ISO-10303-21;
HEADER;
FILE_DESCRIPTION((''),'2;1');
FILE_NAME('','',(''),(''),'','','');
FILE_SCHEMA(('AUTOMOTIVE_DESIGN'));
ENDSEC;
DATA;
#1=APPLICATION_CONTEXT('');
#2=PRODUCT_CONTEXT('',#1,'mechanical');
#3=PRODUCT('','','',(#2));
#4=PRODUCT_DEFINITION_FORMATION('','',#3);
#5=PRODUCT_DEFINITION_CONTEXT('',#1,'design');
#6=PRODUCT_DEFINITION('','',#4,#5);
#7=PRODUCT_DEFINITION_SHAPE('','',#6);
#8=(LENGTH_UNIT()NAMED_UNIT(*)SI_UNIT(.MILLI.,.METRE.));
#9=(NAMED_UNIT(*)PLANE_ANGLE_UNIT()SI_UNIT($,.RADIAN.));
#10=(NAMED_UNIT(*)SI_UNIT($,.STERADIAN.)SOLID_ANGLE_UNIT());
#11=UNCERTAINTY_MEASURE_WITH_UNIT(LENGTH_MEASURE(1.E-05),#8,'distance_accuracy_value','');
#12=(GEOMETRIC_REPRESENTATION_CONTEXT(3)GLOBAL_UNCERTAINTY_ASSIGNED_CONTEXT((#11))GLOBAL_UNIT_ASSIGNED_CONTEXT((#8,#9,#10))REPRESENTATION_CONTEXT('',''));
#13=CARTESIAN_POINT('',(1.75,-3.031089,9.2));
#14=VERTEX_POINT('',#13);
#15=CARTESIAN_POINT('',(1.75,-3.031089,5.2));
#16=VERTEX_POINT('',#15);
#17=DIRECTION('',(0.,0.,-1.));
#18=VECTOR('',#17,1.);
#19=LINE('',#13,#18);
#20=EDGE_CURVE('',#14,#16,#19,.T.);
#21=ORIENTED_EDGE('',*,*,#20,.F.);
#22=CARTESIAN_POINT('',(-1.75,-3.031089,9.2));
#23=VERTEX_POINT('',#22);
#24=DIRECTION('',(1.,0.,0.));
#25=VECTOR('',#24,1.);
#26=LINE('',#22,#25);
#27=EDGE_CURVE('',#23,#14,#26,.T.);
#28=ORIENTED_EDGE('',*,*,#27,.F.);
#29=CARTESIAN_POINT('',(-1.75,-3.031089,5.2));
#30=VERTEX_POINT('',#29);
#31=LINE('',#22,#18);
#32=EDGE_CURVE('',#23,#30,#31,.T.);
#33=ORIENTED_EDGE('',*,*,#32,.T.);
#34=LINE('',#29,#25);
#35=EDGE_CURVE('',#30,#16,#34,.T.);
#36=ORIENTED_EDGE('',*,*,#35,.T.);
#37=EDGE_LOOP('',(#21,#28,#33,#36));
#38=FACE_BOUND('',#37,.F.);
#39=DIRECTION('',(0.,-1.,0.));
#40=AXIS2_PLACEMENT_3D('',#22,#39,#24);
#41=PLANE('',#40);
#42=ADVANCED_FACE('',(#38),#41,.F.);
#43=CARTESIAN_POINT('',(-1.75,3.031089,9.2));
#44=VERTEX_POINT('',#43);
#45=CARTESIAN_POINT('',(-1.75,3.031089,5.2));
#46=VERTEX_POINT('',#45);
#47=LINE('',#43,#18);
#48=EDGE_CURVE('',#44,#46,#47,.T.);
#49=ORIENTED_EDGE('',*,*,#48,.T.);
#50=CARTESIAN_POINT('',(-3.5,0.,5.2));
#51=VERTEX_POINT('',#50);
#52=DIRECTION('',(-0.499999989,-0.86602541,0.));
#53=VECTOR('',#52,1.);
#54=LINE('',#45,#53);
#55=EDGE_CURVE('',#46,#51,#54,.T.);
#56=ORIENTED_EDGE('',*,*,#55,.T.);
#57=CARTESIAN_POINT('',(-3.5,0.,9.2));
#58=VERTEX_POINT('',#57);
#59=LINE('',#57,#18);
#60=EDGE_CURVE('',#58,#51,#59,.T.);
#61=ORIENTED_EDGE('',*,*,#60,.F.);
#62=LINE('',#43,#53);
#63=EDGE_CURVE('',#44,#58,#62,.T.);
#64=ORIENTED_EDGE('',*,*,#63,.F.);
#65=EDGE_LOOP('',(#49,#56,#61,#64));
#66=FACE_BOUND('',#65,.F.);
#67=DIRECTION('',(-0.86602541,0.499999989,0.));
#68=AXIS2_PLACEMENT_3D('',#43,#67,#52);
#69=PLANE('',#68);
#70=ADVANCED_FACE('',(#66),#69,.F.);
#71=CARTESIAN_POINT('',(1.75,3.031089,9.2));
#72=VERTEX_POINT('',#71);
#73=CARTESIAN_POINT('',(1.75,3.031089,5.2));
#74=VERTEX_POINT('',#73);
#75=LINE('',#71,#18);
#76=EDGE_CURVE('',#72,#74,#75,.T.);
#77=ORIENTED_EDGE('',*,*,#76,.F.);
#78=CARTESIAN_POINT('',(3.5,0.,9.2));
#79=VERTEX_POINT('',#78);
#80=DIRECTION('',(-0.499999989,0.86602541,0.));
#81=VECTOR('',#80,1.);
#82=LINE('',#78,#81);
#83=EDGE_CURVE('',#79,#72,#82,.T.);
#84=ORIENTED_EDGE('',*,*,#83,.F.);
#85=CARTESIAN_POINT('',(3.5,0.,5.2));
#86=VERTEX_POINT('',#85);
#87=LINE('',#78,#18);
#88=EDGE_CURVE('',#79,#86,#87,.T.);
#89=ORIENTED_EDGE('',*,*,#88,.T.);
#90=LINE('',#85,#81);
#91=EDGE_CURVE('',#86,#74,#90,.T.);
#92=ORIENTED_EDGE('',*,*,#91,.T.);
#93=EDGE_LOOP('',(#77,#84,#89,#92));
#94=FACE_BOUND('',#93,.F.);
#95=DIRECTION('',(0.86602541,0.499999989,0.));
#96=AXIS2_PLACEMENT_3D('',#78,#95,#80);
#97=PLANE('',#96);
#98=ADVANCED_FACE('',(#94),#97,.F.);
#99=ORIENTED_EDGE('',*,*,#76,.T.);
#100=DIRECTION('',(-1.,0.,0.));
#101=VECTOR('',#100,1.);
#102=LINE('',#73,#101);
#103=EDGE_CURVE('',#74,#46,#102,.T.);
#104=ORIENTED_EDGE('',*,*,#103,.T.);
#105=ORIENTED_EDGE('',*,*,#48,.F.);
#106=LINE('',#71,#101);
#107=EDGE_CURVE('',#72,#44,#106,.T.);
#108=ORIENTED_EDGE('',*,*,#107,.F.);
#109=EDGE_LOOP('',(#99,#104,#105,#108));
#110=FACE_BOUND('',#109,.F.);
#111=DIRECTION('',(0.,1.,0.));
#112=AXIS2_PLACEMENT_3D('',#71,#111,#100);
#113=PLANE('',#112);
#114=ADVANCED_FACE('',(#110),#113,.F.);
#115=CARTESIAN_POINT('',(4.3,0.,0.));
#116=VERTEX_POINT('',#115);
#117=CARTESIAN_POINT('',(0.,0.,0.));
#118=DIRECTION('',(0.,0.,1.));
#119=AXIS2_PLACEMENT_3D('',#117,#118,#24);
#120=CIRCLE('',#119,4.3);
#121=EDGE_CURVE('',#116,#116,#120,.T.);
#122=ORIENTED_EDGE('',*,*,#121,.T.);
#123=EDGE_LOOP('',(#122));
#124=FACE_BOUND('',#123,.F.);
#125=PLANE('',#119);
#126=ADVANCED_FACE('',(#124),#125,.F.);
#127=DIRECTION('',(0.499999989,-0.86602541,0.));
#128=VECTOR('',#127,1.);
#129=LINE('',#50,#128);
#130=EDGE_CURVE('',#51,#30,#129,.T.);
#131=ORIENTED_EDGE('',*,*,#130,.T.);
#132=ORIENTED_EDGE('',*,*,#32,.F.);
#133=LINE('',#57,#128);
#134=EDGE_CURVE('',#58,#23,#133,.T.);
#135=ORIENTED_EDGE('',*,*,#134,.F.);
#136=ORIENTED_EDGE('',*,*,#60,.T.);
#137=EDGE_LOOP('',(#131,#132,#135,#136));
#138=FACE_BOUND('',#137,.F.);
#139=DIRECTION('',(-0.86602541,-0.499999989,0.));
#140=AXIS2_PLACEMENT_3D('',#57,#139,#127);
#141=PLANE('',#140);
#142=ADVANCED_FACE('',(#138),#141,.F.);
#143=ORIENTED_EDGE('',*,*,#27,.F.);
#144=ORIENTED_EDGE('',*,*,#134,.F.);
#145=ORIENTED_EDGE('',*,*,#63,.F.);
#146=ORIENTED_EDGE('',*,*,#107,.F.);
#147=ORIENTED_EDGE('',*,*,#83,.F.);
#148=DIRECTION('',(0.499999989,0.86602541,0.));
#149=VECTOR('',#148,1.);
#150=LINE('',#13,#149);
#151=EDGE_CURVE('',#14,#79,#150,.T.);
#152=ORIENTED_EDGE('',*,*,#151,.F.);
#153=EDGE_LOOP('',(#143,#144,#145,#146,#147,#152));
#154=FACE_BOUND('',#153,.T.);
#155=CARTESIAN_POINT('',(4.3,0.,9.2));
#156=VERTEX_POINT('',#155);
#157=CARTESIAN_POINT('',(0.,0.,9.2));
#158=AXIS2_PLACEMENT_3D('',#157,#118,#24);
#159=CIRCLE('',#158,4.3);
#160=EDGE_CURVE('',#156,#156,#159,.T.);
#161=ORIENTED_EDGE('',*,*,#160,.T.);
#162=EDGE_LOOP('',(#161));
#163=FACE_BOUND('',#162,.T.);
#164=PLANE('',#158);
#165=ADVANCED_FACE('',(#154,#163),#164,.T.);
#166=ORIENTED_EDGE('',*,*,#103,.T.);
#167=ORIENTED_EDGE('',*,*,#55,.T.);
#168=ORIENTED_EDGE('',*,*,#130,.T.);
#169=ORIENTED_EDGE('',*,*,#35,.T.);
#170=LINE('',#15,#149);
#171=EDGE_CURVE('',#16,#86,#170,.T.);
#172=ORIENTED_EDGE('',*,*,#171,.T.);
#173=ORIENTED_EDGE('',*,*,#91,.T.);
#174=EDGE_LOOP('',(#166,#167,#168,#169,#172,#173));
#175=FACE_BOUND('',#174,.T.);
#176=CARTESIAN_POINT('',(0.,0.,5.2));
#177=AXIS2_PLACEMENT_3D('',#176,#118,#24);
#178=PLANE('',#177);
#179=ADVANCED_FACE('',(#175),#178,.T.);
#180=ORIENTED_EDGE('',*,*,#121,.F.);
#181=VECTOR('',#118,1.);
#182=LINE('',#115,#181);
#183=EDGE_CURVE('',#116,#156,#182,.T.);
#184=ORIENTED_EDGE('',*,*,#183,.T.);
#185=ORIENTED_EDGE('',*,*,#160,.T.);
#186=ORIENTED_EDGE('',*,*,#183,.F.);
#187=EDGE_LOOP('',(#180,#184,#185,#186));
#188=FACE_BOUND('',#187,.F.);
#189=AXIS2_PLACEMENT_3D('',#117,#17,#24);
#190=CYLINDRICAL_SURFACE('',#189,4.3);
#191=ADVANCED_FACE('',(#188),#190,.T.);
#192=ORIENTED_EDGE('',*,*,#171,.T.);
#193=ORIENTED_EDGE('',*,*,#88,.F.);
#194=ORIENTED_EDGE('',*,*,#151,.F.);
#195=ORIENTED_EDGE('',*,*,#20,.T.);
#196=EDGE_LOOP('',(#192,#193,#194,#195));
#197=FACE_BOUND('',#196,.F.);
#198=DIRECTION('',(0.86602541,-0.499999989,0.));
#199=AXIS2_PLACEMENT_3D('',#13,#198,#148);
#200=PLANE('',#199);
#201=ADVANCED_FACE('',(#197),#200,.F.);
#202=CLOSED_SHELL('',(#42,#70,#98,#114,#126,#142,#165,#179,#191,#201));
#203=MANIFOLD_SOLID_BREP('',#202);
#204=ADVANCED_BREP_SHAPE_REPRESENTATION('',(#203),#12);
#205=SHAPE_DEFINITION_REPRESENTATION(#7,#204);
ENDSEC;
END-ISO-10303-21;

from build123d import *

# Parameters (mm, degrees)
SKETCH_R     = 4.3
PAD_DEPTH    = 9.2
POCKET_DEPTH = 4


with BuildPart() as part:
    # Sketch → Pad (new body)
    with BuildSketch(Plane.XY):
        Circle(SKETCH_R)
    extrude(amount=PAD_DEPTH)

    # Sketch003 → Pocket (cut)
    with BuildSketch(Plane.XY.offset(9.2)):
        Polygon((-3.5, 0), (-1.75, -3.031089), (1.75, -3.031089), (3.5, 0), (1.75, 3.031089), (-1.75, 3.031089), align=None)
    extrude(amount=-POCKET_DEPTH, mode=Mode.SUBTRACT)


solid = part.part
